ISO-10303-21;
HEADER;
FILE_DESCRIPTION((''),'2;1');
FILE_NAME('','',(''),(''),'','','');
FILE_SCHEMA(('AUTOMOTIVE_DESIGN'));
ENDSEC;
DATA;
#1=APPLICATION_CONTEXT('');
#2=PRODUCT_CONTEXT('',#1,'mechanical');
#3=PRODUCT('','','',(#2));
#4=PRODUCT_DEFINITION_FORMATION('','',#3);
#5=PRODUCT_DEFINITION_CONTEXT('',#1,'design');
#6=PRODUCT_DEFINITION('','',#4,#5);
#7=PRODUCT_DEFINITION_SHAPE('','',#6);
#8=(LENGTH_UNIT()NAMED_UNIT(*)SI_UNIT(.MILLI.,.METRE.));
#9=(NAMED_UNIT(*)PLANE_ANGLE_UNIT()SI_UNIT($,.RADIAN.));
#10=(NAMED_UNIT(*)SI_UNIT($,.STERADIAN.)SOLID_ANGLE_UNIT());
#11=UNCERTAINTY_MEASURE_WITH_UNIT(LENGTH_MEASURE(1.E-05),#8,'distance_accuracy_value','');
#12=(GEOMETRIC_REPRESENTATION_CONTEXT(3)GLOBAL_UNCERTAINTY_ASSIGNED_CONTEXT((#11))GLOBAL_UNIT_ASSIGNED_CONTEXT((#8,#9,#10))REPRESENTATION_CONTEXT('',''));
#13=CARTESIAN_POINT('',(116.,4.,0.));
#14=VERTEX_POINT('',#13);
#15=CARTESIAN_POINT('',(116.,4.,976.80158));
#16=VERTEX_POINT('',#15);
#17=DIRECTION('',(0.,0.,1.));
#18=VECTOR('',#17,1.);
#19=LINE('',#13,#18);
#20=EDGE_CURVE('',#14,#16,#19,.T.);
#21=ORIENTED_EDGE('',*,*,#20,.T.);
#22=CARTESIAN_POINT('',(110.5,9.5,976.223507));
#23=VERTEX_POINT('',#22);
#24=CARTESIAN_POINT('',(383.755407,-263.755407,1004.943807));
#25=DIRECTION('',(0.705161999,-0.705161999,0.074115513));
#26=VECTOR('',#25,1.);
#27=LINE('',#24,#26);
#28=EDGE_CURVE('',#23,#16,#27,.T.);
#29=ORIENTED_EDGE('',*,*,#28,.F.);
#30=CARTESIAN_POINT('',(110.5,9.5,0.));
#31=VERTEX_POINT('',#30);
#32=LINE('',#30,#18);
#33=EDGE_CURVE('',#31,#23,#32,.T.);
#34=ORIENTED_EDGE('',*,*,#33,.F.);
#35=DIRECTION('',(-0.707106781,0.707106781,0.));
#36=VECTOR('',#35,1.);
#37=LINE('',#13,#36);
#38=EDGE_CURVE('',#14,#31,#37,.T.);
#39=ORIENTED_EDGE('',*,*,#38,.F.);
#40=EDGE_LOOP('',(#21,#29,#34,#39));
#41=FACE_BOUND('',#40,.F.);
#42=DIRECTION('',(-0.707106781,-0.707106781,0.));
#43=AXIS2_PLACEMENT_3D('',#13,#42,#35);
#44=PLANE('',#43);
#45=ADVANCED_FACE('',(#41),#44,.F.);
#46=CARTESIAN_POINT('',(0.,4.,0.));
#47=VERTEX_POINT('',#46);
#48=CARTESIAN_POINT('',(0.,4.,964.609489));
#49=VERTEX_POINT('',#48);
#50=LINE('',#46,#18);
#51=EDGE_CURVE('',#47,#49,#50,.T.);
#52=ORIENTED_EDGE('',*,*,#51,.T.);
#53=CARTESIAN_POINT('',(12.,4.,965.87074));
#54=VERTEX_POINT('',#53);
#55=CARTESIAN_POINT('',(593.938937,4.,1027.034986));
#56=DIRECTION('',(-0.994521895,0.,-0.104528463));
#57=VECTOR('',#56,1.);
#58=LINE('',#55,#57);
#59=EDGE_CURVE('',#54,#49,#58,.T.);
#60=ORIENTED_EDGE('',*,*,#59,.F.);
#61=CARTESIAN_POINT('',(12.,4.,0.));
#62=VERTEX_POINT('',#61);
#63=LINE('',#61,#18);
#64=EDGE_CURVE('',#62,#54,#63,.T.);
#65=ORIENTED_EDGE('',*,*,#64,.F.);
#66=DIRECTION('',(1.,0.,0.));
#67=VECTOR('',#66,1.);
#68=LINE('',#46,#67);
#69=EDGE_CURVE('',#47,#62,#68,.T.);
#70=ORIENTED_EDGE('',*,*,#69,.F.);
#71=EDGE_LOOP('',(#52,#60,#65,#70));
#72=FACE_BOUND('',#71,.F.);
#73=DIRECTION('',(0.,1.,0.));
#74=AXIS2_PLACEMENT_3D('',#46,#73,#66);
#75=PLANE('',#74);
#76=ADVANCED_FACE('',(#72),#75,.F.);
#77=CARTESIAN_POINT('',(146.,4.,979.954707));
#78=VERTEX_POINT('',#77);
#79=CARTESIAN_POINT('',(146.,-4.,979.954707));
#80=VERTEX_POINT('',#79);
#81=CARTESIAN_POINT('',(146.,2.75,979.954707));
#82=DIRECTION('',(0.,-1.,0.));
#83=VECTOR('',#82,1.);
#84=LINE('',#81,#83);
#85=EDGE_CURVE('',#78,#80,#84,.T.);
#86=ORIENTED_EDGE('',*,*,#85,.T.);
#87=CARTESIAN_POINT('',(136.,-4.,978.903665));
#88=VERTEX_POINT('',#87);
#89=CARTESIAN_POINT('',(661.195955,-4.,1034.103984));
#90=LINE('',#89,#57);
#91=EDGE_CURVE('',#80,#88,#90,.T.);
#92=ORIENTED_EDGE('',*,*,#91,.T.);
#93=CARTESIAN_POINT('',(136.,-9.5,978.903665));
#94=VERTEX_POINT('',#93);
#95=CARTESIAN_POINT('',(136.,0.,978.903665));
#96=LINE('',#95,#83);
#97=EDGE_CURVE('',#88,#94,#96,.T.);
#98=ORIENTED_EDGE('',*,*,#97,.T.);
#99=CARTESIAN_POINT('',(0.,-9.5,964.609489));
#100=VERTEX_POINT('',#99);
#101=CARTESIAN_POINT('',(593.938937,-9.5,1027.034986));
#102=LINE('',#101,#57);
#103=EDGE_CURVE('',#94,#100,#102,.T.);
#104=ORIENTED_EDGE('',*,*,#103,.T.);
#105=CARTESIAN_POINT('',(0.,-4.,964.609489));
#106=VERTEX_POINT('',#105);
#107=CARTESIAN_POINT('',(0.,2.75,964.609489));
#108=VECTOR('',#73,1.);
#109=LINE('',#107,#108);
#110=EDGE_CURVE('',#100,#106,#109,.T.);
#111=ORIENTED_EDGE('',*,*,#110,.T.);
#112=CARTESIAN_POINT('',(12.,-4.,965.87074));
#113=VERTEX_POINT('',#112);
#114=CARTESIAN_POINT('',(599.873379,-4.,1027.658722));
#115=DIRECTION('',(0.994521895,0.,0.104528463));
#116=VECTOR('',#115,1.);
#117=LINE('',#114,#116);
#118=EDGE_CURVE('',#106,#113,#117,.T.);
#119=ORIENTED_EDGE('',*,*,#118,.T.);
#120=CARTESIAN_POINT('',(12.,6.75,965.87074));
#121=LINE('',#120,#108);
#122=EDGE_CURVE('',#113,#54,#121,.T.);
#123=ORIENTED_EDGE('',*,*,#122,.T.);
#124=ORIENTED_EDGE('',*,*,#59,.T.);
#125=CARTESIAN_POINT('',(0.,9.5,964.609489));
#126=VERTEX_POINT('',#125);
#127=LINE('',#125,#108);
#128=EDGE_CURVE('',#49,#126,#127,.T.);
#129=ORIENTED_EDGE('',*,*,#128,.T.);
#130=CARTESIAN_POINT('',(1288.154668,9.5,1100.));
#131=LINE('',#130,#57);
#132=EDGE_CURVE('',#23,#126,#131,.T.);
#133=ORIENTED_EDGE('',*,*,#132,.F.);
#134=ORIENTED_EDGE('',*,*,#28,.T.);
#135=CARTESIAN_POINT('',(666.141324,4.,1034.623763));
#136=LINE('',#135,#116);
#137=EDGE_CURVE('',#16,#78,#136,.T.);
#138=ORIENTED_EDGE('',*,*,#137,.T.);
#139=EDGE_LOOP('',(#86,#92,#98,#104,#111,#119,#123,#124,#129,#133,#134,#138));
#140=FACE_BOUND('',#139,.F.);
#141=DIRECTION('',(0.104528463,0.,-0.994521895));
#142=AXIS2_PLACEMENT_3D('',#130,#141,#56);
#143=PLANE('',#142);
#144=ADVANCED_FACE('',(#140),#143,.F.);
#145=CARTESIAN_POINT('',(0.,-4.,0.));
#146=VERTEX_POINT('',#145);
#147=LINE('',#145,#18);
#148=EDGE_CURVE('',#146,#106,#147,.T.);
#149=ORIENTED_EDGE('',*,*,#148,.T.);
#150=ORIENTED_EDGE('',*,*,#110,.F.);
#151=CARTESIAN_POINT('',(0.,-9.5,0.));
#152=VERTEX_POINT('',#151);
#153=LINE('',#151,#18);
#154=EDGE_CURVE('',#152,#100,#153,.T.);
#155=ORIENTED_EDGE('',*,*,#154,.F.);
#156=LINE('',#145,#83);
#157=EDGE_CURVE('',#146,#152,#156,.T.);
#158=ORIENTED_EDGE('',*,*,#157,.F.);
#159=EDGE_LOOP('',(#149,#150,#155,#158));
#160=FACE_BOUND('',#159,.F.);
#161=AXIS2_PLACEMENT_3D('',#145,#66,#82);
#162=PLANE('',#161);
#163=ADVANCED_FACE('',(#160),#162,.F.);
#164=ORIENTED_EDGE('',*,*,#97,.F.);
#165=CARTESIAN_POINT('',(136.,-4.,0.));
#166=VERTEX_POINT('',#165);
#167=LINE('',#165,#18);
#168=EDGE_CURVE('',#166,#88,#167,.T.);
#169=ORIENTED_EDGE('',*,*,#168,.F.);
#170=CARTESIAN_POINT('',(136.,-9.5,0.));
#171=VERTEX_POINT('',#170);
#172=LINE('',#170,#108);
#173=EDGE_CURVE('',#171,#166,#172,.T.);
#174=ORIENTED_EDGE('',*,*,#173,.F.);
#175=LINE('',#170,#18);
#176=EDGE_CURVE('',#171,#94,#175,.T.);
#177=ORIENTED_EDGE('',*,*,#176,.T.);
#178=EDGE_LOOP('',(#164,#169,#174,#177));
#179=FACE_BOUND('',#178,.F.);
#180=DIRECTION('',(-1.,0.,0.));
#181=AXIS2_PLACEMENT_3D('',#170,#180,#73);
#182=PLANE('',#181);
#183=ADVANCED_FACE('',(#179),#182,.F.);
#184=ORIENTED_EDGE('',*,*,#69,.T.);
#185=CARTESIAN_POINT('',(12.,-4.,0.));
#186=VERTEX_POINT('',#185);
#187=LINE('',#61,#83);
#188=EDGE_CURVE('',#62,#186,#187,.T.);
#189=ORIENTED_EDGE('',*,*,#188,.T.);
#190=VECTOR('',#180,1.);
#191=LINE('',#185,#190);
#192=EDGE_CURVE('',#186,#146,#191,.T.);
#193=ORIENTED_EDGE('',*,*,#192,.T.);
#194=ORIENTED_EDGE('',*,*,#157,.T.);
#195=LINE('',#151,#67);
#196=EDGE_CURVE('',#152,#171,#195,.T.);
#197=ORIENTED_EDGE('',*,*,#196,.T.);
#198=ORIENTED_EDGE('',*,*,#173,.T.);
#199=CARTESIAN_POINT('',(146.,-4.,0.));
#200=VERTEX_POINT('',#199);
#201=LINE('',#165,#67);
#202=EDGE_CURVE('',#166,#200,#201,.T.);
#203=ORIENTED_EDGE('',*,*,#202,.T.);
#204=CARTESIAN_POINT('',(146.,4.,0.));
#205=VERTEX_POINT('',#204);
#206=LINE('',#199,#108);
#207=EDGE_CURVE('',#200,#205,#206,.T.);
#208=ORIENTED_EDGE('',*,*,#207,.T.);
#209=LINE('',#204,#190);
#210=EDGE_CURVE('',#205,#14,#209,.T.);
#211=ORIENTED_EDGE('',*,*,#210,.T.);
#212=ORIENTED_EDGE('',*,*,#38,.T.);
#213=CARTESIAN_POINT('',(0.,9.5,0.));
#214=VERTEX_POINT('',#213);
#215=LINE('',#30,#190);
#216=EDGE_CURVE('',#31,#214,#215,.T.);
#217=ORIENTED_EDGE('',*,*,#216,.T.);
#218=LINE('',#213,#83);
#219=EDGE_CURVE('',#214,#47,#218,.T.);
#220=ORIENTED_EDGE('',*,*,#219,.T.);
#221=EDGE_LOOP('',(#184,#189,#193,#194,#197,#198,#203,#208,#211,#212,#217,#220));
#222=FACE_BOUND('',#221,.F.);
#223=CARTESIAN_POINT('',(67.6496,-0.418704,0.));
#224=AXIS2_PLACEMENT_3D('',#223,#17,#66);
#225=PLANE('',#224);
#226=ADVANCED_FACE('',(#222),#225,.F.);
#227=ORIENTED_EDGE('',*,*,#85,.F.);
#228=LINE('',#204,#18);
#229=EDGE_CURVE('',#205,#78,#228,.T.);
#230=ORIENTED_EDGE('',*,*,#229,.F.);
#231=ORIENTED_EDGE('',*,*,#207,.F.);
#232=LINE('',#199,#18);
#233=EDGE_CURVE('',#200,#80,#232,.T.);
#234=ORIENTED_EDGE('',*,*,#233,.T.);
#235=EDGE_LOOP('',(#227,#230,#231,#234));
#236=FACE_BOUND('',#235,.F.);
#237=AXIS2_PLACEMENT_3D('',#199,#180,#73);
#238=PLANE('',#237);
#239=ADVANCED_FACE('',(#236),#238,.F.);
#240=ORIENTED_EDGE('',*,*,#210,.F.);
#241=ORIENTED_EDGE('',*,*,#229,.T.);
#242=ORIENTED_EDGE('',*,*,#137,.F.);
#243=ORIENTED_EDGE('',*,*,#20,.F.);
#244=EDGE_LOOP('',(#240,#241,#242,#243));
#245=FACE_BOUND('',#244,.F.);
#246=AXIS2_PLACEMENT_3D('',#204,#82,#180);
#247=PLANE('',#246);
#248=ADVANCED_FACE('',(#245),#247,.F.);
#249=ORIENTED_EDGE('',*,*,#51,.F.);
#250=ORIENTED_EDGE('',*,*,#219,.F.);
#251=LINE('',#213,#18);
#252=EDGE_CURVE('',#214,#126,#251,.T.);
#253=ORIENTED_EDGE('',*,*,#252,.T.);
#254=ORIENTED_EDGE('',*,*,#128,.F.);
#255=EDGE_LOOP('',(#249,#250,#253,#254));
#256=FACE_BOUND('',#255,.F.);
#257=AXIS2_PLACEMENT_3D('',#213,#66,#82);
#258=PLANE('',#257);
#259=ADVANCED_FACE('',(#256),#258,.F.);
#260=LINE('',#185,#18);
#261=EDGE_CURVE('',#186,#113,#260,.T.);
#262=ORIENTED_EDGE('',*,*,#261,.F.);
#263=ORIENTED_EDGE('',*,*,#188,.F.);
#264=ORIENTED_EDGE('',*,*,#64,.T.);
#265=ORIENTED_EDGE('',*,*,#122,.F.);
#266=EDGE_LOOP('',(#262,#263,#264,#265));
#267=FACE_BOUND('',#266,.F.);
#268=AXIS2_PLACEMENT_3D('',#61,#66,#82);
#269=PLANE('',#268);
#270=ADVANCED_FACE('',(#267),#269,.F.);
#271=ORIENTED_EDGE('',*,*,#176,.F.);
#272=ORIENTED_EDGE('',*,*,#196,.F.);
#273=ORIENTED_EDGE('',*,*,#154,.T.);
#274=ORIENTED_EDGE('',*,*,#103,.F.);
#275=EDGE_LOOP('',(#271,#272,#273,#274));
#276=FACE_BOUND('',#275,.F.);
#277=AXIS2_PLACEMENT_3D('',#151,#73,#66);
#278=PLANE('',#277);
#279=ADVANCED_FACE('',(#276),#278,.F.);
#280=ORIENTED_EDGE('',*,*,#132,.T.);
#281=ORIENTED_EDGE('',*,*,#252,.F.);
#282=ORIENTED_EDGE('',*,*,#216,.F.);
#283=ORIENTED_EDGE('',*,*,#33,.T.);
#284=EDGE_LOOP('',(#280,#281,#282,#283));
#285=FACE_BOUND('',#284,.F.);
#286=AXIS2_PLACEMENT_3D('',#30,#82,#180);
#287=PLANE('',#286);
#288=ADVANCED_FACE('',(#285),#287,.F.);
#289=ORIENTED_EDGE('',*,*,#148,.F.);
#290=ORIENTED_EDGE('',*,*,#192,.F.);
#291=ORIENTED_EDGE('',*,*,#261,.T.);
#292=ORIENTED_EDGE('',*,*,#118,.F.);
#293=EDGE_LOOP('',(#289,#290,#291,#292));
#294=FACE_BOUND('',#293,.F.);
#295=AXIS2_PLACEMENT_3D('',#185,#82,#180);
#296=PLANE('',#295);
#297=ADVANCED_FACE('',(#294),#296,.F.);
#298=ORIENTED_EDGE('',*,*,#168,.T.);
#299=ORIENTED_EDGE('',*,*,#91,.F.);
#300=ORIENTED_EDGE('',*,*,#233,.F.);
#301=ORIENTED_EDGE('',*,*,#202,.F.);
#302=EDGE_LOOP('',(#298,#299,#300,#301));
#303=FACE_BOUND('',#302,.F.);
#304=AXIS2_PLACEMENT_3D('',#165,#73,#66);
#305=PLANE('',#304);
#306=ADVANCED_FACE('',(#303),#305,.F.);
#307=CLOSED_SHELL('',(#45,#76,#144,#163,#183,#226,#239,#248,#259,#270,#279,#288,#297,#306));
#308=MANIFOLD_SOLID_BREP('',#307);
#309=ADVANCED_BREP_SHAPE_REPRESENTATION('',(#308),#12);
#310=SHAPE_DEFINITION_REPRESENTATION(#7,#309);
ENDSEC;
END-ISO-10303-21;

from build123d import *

# Parameters (mm, degrees)
F1_DEPTH = 1100
F3_DEPTH = 19.001


with BuildPart() as f1:
    # F0 (on Top) → F1 (new body)
    with BuildSketch(Plane.XY):
        Polygon((0, -4), (0, -9.5), (136, -9.5), (136, -4), (146, -4), (146, 4), (116, 4), (110.5, 9.5), (0, 9.5), (0, 4), (12, 4), (12, -4), align=None)
    extrude(amount=F1_DEPTH)

    # F2 (on face) → F3 (cut, through all)
    with BuildSketch(Plane(origin=(0, 9.5, 0), x_dir=(-1, 0, 0), z_dir=(0, 1, 0))):
        Polygon((-110.5, 1100), (-1288.1546681334, 1100), (-110.5, 976.2235066988), align=None)
        Polygon((0, 1100), (0, 964.6094887019), (139, 950), (139, 1100), align=None)
        Polygon((-110.5, 1100), (-110.5, 976.2235066988), (0, 964.6094887019), (0, 1100), align=None)
    extrude(amount=-F3_DEPTH, mode=Mode.SUBTRACT)


solid = f1.part
